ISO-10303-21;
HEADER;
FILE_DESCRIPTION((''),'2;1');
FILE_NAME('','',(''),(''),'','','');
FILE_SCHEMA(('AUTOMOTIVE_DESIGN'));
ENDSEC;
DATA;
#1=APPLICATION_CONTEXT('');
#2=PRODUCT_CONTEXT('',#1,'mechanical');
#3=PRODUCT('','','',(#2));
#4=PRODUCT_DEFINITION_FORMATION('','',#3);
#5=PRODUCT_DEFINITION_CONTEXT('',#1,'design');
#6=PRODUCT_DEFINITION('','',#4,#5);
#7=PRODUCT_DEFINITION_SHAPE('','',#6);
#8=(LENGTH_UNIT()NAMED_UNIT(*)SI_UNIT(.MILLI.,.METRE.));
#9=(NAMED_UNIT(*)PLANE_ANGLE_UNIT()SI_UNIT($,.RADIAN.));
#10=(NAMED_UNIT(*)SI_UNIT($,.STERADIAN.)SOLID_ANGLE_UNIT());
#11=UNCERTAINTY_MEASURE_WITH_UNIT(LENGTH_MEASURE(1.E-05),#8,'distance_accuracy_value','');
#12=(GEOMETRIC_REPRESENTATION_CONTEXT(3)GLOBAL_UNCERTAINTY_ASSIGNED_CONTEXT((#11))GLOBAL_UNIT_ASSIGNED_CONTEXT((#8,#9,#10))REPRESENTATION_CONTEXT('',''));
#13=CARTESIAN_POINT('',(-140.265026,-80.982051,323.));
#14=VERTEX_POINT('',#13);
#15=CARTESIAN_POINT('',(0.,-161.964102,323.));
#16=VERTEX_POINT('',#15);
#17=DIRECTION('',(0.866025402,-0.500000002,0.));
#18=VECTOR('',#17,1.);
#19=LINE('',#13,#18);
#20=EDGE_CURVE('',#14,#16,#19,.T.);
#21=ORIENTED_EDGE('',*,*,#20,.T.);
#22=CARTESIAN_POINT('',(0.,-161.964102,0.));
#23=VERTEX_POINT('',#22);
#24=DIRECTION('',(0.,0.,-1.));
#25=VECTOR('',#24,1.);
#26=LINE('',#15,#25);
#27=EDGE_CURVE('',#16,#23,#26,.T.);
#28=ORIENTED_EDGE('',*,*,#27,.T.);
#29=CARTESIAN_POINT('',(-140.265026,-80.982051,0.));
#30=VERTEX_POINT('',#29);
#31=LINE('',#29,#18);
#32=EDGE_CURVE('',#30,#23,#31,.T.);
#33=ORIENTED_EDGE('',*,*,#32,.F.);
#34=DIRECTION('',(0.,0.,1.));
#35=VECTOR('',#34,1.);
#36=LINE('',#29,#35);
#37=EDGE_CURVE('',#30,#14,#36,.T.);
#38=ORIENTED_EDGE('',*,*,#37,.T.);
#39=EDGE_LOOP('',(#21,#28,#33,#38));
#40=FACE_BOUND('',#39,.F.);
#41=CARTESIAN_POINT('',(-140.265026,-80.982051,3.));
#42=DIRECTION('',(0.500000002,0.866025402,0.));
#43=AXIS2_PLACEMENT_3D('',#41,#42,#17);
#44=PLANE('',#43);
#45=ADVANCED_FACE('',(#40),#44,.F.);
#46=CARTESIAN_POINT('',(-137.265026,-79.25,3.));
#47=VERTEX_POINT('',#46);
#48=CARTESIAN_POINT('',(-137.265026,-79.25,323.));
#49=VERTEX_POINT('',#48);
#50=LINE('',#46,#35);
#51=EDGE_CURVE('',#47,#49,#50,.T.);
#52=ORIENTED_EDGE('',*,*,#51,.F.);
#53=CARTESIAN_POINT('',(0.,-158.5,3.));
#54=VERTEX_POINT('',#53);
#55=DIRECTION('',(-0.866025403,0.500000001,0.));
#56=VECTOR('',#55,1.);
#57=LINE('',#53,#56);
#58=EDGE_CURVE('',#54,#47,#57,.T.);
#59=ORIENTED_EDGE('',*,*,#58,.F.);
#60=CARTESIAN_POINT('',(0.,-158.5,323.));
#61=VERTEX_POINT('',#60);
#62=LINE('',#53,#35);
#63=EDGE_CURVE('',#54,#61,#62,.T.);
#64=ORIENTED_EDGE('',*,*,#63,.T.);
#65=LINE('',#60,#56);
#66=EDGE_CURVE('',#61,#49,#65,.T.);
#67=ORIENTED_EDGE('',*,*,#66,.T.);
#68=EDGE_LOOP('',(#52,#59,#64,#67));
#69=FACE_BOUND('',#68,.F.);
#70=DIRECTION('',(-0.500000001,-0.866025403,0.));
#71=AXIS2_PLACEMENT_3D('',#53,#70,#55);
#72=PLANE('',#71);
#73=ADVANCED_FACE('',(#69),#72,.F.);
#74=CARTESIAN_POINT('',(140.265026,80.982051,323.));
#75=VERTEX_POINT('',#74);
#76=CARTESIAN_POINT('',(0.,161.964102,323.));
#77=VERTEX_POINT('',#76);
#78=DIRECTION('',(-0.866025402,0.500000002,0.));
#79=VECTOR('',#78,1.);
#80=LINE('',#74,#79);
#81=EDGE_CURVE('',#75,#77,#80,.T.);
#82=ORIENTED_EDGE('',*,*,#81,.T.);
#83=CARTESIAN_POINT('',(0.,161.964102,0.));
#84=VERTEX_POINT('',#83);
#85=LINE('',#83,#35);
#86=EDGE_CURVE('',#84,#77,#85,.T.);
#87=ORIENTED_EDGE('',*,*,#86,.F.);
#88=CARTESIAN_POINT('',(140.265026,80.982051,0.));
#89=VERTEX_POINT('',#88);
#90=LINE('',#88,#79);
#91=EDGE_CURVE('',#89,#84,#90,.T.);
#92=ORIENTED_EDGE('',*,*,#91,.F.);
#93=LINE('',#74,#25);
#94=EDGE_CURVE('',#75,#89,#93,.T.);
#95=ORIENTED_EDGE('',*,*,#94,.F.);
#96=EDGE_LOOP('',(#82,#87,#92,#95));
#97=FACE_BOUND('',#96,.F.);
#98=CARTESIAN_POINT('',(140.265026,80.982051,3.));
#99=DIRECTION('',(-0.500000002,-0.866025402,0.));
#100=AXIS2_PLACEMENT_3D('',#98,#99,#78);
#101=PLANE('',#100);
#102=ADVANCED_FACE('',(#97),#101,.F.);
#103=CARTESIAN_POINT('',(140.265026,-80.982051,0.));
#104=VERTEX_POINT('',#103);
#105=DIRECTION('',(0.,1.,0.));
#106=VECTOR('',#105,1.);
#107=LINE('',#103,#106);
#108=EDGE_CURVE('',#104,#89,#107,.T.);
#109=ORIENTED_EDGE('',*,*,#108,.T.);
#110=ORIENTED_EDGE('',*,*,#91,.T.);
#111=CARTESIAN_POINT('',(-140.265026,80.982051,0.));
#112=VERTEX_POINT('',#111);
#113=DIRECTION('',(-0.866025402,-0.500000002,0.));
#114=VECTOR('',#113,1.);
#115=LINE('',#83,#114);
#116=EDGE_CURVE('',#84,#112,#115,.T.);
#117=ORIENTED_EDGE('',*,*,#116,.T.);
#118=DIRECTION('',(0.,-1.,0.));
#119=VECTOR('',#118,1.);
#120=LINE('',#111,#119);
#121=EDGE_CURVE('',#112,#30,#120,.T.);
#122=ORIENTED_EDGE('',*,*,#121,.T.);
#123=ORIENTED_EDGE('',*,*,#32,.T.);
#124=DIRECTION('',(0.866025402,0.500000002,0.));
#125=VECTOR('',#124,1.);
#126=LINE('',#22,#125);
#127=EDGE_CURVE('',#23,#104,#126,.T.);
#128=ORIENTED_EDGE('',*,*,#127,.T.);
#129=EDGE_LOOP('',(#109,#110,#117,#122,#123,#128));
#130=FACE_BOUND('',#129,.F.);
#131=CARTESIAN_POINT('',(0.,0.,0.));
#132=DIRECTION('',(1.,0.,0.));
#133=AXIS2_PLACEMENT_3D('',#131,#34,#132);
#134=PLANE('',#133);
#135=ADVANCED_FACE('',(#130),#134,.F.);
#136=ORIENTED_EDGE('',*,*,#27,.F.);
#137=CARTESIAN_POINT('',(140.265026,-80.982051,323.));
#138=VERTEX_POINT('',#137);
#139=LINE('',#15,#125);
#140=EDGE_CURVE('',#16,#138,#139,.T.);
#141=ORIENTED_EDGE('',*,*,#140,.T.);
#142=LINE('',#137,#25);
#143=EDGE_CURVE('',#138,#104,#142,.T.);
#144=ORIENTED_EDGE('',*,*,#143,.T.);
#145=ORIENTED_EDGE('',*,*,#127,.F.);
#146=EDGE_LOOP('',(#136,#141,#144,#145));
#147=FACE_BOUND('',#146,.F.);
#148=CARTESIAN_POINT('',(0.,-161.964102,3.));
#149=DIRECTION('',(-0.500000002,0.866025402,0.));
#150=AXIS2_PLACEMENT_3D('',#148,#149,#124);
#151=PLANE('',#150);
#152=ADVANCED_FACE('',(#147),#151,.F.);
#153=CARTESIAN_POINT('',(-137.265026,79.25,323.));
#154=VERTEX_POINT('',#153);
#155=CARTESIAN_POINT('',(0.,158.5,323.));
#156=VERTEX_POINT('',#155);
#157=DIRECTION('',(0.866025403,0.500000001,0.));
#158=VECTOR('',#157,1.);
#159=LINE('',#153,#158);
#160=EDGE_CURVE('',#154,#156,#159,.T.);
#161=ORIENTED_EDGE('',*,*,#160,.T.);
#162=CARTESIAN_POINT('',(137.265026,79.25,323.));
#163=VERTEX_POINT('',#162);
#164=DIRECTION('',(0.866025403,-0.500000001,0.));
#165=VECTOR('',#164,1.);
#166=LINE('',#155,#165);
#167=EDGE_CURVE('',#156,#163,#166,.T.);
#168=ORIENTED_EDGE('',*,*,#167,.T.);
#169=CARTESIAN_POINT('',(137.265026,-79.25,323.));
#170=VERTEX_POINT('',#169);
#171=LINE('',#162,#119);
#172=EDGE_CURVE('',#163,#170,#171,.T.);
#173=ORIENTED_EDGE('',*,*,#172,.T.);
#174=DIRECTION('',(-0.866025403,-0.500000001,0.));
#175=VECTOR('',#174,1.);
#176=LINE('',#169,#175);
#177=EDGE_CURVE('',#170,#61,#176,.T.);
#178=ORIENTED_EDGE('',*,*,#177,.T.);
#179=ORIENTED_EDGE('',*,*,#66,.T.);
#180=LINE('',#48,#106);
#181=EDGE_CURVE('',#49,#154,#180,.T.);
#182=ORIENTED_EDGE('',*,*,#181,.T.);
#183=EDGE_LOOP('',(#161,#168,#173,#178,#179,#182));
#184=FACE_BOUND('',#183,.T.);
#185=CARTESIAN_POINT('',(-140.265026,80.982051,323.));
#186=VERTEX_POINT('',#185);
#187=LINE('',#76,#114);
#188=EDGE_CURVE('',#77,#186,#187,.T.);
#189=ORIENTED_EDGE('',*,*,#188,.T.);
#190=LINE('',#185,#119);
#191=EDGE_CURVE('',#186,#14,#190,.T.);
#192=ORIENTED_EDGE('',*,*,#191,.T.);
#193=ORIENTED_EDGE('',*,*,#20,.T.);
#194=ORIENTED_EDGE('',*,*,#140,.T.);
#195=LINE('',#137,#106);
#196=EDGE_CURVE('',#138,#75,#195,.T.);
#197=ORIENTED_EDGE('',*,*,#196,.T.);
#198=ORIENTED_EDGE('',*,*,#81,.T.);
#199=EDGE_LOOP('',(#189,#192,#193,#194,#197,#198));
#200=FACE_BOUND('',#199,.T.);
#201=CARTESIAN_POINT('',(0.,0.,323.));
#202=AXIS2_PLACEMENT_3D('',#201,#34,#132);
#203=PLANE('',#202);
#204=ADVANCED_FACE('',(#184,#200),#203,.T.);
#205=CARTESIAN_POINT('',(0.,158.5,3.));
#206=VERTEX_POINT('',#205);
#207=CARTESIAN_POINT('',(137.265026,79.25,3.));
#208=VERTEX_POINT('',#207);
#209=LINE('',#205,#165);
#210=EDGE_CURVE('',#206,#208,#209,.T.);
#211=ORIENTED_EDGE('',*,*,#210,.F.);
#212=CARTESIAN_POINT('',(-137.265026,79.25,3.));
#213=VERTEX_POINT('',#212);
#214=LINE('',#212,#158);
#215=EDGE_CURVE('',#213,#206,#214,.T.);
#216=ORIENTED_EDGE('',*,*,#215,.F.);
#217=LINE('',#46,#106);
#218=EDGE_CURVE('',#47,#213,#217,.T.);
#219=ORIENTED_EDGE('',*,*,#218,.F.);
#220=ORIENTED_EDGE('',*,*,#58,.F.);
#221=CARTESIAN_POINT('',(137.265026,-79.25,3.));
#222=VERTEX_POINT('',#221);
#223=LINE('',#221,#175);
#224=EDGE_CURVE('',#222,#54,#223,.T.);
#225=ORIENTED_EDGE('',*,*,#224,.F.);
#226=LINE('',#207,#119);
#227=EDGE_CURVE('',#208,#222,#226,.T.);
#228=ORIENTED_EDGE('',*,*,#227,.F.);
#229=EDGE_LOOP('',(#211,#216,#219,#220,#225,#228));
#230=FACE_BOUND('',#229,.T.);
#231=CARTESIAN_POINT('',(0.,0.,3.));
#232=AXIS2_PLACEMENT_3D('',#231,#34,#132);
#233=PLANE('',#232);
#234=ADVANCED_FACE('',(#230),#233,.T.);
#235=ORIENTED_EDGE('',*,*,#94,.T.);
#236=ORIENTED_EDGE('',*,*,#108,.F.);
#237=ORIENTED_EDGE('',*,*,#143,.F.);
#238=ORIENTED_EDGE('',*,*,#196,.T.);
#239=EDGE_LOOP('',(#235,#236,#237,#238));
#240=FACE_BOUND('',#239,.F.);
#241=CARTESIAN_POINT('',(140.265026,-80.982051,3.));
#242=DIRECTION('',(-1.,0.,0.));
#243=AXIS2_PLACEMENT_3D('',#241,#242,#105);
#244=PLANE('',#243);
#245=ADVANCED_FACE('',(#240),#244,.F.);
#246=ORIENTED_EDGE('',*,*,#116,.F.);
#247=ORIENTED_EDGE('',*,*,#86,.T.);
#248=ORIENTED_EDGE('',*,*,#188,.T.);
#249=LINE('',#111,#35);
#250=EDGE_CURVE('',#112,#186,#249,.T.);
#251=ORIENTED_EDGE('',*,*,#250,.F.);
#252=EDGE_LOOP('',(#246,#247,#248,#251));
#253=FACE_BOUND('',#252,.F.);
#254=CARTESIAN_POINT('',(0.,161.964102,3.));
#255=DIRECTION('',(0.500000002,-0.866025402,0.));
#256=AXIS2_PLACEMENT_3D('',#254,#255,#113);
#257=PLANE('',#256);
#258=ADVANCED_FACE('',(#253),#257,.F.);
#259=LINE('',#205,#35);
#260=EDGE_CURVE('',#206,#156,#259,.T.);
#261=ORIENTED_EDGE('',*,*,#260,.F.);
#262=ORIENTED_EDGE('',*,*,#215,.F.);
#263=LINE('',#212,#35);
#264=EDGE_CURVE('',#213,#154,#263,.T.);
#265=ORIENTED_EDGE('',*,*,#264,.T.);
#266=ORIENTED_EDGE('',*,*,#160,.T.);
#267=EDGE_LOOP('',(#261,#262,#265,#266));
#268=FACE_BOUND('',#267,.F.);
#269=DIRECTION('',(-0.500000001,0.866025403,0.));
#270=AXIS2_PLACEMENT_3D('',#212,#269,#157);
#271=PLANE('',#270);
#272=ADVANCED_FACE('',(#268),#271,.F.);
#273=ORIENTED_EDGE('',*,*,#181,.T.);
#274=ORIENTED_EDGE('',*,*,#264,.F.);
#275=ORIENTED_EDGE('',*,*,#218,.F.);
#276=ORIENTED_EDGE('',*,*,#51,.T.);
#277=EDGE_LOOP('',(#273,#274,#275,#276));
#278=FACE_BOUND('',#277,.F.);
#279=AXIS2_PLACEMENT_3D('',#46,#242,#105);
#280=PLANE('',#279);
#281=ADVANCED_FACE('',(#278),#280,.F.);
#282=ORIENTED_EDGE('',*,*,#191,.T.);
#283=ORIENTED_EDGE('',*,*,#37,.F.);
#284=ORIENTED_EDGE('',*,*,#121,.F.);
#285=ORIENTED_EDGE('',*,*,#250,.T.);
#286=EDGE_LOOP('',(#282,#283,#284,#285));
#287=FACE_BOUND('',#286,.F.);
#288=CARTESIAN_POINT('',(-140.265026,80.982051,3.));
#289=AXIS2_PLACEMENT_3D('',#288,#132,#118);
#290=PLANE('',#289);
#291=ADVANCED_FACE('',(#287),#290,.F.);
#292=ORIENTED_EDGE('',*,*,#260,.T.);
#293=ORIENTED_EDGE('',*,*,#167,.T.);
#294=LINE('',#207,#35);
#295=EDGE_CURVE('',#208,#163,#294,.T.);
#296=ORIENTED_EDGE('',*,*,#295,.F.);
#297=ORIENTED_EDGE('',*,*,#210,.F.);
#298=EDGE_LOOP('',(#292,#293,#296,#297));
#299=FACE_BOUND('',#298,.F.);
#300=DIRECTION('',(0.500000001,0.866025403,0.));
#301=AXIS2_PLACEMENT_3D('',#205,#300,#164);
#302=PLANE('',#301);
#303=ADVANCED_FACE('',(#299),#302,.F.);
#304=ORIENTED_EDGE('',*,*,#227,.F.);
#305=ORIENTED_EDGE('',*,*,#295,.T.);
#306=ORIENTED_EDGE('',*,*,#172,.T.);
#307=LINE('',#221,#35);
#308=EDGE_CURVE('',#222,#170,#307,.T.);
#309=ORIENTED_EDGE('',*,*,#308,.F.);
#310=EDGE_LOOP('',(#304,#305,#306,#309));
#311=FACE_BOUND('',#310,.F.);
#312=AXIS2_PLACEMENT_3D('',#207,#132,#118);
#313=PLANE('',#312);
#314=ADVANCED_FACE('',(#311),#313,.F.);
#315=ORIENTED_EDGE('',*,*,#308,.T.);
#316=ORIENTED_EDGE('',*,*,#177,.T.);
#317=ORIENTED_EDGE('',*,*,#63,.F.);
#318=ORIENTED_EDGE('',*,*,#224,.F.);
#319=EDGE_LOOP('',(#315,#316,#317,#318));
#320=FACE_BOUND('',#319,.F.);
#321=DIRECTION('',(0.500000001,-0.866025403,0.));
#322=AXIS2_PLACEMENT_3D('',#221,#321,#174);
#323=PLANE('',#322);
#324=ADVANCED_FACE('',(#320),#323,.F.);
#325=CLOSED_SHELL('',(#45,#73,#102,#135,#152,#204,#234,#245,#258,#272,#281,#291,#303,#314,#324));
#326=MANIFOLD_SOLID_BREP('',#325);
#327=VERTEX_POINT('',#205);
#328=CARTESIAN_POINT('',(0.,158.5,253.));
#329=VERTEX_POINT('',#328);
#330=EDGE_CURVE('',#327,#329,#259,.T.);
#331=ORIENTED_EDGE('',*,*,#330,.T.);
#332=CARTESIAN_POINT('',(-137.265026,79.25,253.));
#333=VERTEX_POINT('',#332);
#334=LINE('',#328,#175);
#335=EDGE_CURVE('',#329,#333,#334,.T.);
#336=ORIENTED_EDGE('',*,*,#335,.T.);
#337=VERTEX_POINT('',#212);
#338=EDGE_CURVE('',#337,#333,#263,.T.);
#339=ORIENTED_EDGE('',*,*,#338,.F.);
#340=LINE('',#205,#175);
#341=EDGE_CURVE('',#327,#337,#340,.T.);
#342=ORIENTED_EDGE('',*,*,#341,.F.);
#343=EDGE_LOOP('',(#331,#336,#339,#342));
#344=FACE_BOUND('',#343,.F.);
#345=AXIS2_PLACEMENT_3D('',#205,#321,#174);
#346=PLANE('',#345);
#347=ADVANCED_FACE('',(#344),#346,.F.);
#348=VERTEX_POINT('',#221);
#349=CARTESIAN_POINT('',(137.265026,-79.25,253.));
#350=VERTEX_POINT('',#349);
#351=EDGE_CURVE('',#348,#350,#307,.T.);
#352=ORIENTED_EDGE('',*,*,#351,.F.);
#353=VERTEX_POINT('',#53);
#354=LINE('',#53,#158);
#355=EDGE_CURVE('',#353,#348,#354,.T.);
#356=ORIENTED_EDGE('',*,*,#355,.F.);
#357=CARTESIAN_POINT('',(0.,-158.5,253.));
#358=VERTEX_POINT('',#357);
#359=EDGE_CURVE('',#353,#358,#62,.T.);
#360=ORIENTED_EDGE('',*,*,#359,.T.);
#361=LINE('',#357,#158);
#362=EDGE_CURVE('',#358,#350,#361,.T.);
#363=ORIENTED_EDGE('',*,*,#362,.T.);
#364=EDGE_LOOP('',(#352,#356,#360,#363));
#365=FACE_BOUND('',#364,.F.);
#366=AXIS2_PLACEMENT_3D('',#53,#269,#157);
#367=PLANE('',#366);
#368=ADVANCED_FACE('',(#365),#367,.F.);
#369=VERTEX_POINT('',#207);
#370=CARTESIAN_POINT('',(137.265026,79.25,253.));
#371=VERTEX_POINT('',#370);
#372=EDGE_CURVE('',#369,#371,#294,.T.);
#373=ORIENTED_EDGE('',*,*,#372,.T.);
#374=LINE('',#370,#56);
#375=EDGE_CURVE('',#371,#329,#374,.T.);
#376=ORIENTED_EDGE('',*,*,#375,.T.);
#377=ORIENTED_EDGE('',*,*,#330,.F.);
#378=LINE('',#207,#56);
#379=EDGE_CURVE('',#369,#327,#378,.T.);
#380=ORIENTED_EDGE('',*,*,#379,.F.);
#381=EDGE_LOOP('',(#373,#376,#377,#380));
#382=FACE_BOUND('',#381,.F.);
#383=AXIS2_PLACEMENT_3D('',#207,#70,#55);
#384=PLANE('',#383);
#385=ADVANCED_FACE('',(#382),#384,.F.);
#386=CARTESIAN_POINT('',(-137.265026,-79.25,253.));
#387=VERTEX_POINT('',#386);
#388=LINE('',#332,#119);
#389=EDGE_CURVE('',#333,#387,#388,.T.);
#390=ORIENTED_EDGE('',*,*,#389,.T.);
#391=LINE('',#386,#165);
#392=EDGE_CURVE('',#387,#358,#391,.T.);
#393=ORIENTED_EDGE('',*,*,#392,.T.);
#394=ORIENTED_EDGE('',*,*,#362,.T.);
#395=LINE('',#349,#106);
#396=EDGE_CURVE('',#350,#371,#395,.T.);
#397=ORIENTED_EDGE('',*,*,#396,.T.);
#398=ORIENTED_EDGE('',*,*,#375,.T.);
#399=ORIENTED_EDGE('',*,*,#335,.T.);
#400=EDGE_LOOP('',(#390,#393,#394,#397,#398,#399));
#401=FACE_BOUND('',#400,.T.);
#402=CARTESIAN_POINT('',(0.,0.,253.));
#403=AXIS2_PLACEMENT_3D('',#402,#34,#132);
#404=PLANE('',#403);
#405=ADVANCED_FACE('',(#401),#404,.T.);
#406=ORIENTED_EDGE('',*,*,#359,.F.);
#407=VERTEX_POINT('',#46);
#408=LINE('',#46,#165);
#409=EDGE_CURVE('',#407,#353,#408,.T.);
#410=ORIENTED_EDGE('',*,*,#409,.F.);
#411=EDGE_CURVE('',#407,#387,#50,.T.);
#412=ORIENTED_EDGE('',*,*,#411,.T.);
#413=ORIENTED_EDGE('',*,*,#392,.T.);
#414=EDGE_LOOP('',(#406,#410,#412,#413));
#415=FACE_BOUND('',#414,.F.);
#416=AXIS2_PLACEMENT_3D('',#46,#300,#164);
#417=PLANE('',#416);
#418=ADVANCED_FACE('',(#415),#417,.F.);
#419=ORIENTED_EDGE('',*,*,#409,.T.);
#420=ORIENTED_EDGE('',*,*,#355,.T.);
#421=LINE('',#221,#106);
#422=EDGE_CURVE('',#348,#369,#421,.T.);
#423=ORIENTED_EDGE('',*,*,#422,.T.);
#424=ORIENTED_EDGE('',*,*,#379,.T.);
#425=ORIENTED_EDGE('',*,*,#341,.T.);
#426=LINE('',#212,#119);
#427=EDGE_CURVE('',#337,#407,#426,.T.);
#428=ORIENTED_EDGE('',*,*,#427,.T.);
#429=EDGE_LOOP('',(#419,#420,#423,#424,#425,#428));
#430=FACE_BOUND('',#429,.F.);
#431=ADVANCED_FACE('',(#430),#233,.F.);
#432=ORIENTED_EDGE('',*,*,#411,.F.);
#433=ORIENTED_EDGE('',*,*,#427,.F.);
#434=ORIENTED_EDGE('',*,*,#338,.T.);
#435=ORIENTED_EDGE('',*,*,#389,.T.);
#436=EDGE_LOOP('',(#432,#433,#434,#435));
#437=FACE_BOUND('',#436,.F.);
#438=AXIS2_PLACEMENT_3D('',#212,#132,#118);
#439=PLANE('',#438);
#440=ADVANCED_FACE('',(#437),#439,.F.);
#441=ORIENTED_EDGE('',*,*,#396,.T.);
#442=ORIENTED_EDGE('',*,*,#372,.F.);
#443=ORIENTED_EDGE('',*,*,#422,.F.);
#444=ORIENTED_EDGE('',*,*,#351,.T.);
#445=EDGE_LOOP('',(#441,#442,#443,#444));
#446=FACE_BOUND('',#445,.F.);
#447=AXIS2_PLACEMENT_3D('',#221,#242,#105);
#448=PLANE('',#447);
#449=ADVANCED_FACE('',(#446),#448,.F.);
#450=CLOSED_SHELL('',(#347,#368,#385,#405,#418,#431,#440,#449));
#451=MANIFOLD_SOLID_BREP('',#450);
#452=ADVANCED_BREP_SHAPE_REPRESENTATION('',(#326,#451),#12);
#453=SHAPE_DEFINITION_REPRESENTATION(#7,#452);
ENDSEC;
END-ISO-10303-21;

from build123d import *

# Parameters (mm, degrees)
F1_DEPTH = 3
F3_DEPTH = 320
F5_DEPTH = 250


with BuildPart() as f1:
    # F0 (on Top) → F1 (new body)
    with BuildSketch(Plane.XY):
        Polygon((140.265026, 80.982051), (0, 161.964102), (-140.265026, 80.982051), (-140.265026, -80.982051), (0, -161.964102), (140.265026, -80.982051), align=None)
        Polygon((-137.265026, 79.25), (0, 158.5), (137.265026, 79.25), (137.265026, -79.25), (0, -158.5), (-137.265026, -79.25), align=None, mode=Mode.SUBTRACT)
        Polygon((137.265026, 79.25), (0, 158.5), (-137.265026, 79.25), (-137.265026, -79.25), (0, -158.5), (137.265026, -79.25), align=None)
    extrude(amount=F1_DEPTH)

    # F2 (on face) → F3 (join)
    with BuildSketch(Plane.XY.offset(3)):
        Polygon((140.265026, 80.982051), (0, 161.964102), (-140.265026, 80.982051), (-140.265026, -80.982051), (0, -161.964102), (140.265026, -80.982051), align=None)
        Polygon((-137.265026, 79.25), (0, 158.5), (137.265026, 79.25), (137.265026, -79.25), (0, -158.5), (-137.265026, -79.25), align=None, mode=Mode.SUBTRACT)
    extrude(amount=F3_DEPTH)


with BuildPart() as f5:
    # F4 (on face) → F5 (new body)
    with BuildSketch(Plane.XY.offset(3)):
        Polygon((137.265026, 79.25), (0, 158.5), (-137.265026, 79.25), (-137.265026, -79.25), (0, -158.5), (137.265026, -79.25), align=None)
    extrude(amount=F5_DEPTH)


solid = Compound([f1.part, f5.part])
